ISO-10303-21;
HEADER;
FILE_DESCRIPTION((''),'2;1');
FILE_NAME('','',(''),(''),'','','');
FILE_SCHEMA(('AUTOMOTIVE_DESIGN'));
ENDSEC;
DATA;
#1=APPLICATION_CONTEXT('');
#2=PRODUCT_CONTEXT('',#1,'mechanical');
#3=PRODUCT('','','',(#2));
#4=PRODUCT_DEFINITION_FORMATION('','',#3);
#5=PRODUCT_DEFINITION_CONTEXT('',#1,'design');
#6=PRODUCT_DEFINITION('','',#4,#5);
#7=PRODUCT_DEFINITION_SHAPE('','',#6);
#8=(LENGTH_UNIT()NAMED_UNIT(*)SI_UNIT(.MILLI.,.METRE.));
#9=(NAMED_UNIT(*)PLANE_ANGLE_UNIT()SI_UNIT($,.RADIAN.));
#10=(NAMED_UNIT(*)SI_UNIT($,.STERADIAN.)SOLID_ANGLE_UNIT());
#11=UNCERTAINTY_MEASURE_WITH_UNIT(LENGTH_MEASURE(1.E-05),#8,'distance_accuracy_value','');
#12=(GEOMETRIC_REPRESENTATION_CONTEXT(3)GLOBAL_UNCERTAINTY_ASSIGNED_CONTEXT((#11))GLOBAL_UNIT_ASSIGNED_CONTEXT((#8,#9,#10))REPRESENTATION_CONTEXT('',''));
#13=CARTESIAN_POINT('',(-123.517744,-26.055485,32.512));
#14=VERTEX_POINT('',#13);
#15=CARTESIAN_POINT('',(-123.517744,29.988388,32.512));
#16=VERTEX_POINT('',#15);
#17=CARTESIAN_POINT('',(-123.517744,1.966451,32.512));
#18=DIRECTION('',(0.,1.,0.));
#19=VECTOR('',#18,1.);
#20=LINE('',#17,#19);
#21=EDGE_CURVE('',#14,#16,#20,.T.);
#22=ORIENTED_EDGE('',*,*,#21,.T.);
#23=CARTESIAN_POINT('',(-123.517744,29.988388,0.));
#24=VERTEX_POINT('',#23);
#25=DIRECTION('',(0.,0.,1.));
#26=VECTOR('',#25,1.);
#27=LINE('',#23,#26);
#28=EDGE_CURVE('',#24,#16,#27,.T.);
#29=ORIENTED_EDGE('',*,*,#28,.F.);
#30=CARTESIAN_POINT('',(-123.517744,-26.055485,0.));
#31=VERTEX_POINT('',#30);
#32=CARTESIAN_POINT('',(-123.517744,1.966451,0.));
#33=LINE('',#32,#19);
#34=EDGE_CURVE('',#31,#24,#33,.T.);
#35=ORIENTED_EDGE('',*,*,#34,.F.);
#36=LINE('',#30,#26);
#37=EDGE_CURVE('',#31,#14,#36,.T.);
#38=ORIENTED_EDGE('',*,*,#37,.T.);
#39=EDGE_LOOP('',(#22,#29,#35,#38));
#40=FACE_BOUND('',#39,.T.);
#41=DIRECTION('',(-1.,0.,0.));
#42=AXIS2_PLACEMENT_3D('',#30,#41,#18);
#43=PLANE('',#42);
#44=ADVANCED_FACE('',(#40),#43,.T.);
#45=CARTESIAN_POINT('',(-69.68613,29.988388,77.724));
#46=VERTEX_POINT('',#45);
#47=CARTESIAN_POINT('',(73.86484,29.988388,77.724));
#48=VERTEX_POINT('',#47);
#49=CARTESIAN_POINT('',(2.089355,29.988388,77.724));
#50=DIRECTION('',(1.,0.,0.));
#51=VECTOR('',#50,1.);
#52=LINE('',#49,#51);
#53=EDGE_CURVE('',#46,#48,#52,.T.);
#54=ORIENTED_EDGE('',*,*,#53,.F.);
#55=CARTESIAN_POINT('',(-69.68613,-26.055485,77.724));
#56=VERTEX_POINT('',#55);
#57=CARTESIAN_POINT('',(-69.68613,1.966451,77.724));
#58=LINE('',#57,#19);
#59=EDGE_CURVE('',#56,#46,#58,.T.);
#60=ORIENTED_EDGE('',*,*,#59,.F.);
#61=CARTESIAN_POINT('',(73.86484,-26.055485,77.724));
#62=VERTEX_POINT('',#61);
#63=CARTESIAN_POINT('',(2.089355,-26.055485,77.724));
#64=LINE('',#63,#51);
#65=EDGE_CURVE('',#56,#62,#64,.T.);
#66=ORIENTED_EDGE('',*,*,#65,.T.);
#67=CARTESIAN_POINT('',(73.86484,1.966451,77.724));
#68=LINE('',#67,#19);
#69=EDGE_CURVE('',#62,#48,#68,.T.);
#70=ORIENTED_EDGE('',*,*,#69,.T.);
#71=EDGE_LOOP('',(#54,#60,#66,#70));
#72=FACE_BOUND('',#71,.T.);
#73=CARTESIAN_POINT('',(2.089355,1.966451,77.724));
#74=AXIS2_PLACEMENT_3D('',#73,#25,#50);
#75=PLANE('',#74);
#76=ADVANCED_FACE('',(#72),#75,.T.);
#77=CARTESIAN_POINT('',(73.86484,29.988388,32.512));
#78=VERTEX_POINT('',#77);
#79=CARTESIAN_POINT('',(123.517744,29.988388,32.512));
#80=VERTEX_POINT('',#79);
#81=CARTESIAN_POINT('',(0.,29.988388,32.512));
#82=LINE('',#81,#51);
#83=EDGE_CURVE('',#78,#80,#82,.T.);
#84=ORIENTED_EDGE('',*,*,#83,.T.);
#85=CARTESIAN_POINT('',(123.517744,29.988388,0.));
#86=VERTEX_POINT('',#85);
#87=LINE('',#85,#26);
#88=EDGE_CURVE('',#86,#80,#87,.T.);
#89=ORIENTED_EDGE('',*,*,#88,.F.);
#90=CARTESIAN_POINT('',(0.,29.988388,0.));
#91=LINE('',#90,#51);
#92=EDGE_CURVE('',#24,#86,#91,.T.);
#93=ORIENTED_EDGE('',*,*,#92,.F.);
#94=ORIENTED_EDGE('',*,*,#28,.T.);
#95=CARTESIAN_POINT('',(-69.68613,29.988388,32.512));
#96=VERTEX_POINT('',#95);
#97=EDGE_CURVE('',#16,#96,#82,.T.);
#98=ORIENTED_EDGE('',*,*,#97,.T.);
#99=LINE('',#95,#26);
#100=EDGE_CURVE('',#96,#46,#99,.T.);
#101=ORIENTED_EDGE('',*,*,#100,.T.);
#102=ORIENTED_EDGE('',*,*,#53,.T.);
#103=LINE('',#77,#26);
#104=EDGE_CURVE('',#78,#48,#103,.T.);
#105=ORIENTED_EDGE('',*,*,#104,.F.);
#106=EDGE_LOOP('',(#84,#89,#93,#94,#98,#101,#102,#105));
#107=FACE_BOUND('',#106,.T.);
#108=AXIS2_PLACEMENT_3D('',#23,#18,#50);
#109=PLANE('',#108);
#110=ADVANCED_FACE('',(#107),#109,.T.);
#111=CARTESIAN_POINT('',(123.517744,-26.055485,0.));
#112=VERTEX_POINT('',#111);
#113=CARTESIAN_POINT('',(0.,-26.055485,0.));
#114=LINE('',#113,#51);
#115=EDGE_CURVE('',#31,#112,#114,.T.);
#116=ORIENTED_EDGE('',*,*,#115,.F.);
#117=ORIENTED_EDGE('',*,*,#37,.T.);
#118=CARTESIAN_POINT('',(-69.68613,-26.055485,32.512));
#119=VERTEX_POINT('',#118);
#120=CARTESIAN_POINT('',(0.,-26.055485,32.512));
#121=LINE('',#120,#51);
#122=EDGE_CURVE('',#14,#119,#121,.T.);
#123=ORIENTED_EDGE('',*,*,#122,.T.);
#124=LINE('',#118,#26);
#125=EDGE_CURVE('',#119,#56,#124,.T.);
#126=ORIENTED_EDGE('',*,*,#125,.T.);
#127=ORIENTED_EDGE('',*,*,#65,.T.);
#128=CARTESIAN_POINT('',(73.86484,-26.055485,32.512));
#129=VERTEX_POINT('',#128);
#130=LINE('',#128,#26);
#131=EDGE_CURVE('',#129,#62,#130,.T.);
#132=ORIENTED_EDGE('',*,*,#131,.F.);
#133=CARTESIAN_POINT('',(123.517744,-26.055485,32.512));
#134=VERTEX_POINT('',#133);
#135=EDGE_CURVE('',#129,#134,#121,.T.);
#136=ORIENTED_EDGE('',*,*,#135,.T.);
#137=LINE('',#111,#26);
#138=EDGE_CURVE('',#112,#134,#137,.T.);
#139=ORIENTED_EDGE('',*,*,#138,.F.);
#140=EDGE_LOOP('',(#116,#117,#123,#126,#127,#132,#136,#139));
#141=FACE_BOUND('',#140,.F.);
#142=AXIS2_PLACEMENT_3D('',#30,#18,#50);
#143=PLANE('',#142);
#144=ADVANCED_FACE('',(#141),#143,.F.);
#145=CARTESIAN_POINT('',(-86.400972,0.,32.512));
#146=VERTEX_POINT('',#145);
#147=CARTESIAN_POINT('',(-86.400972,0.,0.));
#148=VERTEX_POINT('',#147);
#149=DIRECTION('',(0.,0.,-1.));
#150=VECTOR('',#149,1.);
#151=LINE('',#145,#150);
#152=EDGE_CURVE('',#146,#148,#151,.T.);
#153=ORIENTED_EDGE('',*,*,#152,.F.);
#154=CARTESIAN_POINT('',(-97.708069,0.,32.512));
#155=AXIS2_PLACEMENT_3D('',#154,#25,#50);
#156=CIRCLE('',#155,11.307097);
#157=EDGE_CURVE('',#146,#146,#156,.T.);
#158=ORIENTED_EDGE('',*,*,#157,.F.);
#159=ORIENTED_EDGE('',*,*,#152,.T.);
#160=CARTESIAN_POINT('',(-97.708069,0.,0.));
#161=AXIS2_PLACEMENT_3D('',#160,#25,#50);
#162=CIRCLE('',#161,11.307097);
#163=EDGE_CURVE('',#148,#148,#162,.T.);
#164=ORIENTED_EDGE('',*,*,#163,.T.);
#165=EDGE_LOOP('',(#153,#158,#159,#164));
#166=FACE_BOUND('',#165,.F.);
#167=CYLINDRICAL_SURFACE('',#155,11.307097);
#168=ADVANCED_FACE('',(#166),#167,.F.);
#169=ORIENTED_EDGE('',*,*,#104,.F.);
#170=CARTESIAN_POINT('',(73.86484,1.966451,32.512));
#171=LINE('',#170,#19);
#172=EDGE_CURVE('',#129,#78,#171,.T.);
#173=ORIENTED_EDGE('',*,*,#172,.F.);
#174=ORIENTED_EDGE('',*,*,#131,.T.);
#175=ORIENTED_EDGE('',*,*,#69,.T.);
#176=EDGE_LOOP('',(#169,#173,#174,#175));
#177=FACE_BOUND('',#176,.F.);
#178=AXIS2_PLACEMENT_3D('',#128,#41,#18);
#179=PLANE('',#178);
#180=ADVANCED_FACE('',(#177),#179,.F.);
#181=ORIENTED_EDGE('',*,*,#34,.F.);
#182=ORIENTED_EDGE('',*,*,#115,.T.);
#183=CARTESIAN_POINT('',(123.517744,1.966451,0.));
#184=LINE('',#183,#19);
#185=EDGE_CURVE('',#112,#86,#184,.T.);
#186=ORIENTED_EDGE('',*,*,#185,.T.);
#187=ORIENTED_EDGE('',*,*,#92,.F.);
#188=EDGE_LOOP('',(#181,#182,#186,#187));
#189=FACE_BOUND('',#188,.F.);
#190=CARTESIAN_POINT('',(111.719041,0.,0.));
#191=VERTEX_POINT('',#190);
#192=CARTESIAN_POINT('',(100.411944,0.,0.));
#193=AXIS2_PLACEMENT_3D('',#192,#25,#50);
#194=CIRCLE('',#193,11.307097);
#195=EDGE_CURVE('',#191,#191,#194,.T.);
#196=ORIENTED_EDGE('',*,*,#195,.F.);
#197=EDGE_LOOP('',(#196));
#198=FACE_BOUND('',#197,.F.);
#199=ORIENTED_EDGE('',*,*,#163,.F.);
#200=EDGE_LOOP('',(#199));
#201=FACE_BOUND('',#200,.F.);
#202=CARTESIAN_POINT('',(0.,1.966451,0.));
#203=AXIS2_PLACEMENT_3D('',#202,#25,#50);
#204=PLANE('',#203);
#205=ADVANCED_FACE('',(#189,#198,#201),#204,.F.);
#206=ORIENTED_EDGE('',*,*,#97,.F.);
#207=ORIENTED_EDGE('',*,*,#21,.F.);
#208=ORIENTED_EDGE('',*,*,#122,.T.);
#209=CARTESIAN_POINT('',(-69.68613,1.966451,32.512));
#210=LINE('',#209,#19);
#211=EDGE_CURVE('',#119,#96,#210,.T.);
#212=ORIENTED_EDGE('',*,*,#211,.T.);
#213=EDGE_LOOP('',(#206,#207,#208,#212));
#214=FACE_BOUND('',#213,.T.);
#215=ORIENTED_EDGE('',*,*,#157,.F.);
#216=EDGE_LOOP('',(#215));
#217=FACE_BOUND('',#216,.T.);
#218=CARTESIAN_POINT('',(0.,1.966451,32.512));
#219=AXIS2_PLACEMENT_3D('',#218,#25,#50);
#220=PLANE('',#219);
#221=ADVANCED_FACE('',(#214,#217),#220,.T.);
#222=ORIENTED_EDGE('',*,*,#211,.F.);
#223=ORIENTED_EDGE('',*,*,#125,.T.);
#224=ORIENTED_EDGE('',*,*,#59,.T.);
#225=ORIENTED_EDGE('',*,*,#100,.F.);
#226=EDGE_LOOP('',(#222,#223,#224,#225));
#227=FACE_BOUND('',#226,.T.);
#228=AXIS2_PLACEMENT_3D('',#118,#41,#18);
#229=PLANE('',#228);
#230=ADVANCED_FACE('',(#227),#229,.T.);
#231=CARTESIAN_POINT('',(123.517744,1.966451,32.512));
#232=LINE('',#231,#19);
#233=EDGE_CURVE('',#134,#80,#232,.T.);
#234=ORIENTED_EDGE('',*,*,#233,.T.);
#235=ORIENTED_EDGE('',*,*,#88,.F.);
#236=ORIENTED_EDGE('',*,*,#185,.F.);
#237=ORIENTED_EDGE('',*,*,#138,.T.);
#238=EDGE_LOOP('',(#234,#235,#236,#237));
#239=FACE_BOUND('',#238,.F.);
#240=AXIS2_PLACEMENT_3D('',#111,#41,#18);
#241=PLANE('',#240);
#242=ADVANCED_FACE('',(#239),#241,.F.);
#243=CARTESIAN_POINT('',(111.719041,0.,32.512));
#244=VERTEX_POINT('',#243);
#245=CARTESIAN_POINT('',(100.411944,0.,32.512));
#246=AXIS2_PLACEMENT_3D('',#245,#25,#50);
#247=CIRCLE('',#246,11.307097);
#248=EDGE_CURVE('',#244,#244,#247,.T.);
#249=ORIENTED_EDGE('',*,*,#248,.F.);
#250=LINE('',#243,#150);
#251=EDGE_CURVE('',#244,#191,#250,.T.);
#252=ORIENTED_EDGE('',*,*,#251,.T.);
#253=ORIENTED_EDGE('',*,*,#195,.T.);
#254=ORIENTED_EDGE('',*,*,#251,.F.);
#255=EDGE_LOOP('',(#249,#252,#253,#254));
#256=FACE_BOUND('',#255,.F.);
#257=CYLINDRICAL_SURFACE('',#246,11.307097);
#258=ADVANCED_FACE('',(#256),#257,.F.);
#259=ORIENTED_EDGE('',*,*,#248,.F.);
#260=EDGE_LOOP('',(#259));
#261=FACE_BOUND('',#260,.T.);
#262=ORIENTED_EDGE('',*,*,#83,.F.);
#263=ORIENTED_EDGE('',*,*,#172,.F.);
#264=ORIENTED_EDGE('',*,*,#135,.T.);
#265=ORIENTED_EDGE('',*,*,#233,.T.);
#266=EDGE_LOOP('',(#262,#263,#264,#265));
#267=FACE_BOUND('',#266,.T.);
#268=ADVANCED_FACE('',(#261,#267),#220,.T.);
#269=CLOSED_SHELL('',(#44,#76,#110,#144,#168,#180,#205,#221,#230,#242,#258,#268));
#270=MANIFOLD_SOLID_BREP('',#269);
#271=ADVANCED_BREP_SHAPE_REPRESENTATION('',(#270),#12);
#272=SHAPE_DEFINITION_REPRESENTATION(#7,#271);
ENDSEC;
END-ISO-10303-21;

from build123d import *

# Parameters (mm, degrees)
F0_W     = 247.035488
F0_H     = 56.043873
F1_DEPTH = 32.512
F2_R     = 11.307097
F3_DEPTH = 43.434
F4_W     = 143.55097
F4_H     = 56.043873
F5_DEPTH = 45.212


with BuildPart() as f1:
    # F0 (on Top) → F1 (new body)
    with BuildSketch(Plane.XY):
        with Locations((0, 1.966451)):
            Rectangle(F0_W, F0_H)
    extrude(amount=F1_DEPTH)

    # F2 (on face) → F3 (cut)
    with BuildSketch(Plane.XY.offset(32.512)):
        with Locations((100.411944, 0)):
            Circle(F2_R)
        with Locations((-97.708069, 0)):
            Circle(F2_R)
    extrude(amount=-F3_DEPTH, mode=Mode.SUBTRACT)

    # F4 (on face) → F5 (join)
    with BuildSketch(Plane.XY.offset(32.512)):
        with Locations((2.089355, 1.966451)):
            Rectangle(F4_W, F4_H)
    extrude(amount=F5_DEPTH)


solid = f1.part
